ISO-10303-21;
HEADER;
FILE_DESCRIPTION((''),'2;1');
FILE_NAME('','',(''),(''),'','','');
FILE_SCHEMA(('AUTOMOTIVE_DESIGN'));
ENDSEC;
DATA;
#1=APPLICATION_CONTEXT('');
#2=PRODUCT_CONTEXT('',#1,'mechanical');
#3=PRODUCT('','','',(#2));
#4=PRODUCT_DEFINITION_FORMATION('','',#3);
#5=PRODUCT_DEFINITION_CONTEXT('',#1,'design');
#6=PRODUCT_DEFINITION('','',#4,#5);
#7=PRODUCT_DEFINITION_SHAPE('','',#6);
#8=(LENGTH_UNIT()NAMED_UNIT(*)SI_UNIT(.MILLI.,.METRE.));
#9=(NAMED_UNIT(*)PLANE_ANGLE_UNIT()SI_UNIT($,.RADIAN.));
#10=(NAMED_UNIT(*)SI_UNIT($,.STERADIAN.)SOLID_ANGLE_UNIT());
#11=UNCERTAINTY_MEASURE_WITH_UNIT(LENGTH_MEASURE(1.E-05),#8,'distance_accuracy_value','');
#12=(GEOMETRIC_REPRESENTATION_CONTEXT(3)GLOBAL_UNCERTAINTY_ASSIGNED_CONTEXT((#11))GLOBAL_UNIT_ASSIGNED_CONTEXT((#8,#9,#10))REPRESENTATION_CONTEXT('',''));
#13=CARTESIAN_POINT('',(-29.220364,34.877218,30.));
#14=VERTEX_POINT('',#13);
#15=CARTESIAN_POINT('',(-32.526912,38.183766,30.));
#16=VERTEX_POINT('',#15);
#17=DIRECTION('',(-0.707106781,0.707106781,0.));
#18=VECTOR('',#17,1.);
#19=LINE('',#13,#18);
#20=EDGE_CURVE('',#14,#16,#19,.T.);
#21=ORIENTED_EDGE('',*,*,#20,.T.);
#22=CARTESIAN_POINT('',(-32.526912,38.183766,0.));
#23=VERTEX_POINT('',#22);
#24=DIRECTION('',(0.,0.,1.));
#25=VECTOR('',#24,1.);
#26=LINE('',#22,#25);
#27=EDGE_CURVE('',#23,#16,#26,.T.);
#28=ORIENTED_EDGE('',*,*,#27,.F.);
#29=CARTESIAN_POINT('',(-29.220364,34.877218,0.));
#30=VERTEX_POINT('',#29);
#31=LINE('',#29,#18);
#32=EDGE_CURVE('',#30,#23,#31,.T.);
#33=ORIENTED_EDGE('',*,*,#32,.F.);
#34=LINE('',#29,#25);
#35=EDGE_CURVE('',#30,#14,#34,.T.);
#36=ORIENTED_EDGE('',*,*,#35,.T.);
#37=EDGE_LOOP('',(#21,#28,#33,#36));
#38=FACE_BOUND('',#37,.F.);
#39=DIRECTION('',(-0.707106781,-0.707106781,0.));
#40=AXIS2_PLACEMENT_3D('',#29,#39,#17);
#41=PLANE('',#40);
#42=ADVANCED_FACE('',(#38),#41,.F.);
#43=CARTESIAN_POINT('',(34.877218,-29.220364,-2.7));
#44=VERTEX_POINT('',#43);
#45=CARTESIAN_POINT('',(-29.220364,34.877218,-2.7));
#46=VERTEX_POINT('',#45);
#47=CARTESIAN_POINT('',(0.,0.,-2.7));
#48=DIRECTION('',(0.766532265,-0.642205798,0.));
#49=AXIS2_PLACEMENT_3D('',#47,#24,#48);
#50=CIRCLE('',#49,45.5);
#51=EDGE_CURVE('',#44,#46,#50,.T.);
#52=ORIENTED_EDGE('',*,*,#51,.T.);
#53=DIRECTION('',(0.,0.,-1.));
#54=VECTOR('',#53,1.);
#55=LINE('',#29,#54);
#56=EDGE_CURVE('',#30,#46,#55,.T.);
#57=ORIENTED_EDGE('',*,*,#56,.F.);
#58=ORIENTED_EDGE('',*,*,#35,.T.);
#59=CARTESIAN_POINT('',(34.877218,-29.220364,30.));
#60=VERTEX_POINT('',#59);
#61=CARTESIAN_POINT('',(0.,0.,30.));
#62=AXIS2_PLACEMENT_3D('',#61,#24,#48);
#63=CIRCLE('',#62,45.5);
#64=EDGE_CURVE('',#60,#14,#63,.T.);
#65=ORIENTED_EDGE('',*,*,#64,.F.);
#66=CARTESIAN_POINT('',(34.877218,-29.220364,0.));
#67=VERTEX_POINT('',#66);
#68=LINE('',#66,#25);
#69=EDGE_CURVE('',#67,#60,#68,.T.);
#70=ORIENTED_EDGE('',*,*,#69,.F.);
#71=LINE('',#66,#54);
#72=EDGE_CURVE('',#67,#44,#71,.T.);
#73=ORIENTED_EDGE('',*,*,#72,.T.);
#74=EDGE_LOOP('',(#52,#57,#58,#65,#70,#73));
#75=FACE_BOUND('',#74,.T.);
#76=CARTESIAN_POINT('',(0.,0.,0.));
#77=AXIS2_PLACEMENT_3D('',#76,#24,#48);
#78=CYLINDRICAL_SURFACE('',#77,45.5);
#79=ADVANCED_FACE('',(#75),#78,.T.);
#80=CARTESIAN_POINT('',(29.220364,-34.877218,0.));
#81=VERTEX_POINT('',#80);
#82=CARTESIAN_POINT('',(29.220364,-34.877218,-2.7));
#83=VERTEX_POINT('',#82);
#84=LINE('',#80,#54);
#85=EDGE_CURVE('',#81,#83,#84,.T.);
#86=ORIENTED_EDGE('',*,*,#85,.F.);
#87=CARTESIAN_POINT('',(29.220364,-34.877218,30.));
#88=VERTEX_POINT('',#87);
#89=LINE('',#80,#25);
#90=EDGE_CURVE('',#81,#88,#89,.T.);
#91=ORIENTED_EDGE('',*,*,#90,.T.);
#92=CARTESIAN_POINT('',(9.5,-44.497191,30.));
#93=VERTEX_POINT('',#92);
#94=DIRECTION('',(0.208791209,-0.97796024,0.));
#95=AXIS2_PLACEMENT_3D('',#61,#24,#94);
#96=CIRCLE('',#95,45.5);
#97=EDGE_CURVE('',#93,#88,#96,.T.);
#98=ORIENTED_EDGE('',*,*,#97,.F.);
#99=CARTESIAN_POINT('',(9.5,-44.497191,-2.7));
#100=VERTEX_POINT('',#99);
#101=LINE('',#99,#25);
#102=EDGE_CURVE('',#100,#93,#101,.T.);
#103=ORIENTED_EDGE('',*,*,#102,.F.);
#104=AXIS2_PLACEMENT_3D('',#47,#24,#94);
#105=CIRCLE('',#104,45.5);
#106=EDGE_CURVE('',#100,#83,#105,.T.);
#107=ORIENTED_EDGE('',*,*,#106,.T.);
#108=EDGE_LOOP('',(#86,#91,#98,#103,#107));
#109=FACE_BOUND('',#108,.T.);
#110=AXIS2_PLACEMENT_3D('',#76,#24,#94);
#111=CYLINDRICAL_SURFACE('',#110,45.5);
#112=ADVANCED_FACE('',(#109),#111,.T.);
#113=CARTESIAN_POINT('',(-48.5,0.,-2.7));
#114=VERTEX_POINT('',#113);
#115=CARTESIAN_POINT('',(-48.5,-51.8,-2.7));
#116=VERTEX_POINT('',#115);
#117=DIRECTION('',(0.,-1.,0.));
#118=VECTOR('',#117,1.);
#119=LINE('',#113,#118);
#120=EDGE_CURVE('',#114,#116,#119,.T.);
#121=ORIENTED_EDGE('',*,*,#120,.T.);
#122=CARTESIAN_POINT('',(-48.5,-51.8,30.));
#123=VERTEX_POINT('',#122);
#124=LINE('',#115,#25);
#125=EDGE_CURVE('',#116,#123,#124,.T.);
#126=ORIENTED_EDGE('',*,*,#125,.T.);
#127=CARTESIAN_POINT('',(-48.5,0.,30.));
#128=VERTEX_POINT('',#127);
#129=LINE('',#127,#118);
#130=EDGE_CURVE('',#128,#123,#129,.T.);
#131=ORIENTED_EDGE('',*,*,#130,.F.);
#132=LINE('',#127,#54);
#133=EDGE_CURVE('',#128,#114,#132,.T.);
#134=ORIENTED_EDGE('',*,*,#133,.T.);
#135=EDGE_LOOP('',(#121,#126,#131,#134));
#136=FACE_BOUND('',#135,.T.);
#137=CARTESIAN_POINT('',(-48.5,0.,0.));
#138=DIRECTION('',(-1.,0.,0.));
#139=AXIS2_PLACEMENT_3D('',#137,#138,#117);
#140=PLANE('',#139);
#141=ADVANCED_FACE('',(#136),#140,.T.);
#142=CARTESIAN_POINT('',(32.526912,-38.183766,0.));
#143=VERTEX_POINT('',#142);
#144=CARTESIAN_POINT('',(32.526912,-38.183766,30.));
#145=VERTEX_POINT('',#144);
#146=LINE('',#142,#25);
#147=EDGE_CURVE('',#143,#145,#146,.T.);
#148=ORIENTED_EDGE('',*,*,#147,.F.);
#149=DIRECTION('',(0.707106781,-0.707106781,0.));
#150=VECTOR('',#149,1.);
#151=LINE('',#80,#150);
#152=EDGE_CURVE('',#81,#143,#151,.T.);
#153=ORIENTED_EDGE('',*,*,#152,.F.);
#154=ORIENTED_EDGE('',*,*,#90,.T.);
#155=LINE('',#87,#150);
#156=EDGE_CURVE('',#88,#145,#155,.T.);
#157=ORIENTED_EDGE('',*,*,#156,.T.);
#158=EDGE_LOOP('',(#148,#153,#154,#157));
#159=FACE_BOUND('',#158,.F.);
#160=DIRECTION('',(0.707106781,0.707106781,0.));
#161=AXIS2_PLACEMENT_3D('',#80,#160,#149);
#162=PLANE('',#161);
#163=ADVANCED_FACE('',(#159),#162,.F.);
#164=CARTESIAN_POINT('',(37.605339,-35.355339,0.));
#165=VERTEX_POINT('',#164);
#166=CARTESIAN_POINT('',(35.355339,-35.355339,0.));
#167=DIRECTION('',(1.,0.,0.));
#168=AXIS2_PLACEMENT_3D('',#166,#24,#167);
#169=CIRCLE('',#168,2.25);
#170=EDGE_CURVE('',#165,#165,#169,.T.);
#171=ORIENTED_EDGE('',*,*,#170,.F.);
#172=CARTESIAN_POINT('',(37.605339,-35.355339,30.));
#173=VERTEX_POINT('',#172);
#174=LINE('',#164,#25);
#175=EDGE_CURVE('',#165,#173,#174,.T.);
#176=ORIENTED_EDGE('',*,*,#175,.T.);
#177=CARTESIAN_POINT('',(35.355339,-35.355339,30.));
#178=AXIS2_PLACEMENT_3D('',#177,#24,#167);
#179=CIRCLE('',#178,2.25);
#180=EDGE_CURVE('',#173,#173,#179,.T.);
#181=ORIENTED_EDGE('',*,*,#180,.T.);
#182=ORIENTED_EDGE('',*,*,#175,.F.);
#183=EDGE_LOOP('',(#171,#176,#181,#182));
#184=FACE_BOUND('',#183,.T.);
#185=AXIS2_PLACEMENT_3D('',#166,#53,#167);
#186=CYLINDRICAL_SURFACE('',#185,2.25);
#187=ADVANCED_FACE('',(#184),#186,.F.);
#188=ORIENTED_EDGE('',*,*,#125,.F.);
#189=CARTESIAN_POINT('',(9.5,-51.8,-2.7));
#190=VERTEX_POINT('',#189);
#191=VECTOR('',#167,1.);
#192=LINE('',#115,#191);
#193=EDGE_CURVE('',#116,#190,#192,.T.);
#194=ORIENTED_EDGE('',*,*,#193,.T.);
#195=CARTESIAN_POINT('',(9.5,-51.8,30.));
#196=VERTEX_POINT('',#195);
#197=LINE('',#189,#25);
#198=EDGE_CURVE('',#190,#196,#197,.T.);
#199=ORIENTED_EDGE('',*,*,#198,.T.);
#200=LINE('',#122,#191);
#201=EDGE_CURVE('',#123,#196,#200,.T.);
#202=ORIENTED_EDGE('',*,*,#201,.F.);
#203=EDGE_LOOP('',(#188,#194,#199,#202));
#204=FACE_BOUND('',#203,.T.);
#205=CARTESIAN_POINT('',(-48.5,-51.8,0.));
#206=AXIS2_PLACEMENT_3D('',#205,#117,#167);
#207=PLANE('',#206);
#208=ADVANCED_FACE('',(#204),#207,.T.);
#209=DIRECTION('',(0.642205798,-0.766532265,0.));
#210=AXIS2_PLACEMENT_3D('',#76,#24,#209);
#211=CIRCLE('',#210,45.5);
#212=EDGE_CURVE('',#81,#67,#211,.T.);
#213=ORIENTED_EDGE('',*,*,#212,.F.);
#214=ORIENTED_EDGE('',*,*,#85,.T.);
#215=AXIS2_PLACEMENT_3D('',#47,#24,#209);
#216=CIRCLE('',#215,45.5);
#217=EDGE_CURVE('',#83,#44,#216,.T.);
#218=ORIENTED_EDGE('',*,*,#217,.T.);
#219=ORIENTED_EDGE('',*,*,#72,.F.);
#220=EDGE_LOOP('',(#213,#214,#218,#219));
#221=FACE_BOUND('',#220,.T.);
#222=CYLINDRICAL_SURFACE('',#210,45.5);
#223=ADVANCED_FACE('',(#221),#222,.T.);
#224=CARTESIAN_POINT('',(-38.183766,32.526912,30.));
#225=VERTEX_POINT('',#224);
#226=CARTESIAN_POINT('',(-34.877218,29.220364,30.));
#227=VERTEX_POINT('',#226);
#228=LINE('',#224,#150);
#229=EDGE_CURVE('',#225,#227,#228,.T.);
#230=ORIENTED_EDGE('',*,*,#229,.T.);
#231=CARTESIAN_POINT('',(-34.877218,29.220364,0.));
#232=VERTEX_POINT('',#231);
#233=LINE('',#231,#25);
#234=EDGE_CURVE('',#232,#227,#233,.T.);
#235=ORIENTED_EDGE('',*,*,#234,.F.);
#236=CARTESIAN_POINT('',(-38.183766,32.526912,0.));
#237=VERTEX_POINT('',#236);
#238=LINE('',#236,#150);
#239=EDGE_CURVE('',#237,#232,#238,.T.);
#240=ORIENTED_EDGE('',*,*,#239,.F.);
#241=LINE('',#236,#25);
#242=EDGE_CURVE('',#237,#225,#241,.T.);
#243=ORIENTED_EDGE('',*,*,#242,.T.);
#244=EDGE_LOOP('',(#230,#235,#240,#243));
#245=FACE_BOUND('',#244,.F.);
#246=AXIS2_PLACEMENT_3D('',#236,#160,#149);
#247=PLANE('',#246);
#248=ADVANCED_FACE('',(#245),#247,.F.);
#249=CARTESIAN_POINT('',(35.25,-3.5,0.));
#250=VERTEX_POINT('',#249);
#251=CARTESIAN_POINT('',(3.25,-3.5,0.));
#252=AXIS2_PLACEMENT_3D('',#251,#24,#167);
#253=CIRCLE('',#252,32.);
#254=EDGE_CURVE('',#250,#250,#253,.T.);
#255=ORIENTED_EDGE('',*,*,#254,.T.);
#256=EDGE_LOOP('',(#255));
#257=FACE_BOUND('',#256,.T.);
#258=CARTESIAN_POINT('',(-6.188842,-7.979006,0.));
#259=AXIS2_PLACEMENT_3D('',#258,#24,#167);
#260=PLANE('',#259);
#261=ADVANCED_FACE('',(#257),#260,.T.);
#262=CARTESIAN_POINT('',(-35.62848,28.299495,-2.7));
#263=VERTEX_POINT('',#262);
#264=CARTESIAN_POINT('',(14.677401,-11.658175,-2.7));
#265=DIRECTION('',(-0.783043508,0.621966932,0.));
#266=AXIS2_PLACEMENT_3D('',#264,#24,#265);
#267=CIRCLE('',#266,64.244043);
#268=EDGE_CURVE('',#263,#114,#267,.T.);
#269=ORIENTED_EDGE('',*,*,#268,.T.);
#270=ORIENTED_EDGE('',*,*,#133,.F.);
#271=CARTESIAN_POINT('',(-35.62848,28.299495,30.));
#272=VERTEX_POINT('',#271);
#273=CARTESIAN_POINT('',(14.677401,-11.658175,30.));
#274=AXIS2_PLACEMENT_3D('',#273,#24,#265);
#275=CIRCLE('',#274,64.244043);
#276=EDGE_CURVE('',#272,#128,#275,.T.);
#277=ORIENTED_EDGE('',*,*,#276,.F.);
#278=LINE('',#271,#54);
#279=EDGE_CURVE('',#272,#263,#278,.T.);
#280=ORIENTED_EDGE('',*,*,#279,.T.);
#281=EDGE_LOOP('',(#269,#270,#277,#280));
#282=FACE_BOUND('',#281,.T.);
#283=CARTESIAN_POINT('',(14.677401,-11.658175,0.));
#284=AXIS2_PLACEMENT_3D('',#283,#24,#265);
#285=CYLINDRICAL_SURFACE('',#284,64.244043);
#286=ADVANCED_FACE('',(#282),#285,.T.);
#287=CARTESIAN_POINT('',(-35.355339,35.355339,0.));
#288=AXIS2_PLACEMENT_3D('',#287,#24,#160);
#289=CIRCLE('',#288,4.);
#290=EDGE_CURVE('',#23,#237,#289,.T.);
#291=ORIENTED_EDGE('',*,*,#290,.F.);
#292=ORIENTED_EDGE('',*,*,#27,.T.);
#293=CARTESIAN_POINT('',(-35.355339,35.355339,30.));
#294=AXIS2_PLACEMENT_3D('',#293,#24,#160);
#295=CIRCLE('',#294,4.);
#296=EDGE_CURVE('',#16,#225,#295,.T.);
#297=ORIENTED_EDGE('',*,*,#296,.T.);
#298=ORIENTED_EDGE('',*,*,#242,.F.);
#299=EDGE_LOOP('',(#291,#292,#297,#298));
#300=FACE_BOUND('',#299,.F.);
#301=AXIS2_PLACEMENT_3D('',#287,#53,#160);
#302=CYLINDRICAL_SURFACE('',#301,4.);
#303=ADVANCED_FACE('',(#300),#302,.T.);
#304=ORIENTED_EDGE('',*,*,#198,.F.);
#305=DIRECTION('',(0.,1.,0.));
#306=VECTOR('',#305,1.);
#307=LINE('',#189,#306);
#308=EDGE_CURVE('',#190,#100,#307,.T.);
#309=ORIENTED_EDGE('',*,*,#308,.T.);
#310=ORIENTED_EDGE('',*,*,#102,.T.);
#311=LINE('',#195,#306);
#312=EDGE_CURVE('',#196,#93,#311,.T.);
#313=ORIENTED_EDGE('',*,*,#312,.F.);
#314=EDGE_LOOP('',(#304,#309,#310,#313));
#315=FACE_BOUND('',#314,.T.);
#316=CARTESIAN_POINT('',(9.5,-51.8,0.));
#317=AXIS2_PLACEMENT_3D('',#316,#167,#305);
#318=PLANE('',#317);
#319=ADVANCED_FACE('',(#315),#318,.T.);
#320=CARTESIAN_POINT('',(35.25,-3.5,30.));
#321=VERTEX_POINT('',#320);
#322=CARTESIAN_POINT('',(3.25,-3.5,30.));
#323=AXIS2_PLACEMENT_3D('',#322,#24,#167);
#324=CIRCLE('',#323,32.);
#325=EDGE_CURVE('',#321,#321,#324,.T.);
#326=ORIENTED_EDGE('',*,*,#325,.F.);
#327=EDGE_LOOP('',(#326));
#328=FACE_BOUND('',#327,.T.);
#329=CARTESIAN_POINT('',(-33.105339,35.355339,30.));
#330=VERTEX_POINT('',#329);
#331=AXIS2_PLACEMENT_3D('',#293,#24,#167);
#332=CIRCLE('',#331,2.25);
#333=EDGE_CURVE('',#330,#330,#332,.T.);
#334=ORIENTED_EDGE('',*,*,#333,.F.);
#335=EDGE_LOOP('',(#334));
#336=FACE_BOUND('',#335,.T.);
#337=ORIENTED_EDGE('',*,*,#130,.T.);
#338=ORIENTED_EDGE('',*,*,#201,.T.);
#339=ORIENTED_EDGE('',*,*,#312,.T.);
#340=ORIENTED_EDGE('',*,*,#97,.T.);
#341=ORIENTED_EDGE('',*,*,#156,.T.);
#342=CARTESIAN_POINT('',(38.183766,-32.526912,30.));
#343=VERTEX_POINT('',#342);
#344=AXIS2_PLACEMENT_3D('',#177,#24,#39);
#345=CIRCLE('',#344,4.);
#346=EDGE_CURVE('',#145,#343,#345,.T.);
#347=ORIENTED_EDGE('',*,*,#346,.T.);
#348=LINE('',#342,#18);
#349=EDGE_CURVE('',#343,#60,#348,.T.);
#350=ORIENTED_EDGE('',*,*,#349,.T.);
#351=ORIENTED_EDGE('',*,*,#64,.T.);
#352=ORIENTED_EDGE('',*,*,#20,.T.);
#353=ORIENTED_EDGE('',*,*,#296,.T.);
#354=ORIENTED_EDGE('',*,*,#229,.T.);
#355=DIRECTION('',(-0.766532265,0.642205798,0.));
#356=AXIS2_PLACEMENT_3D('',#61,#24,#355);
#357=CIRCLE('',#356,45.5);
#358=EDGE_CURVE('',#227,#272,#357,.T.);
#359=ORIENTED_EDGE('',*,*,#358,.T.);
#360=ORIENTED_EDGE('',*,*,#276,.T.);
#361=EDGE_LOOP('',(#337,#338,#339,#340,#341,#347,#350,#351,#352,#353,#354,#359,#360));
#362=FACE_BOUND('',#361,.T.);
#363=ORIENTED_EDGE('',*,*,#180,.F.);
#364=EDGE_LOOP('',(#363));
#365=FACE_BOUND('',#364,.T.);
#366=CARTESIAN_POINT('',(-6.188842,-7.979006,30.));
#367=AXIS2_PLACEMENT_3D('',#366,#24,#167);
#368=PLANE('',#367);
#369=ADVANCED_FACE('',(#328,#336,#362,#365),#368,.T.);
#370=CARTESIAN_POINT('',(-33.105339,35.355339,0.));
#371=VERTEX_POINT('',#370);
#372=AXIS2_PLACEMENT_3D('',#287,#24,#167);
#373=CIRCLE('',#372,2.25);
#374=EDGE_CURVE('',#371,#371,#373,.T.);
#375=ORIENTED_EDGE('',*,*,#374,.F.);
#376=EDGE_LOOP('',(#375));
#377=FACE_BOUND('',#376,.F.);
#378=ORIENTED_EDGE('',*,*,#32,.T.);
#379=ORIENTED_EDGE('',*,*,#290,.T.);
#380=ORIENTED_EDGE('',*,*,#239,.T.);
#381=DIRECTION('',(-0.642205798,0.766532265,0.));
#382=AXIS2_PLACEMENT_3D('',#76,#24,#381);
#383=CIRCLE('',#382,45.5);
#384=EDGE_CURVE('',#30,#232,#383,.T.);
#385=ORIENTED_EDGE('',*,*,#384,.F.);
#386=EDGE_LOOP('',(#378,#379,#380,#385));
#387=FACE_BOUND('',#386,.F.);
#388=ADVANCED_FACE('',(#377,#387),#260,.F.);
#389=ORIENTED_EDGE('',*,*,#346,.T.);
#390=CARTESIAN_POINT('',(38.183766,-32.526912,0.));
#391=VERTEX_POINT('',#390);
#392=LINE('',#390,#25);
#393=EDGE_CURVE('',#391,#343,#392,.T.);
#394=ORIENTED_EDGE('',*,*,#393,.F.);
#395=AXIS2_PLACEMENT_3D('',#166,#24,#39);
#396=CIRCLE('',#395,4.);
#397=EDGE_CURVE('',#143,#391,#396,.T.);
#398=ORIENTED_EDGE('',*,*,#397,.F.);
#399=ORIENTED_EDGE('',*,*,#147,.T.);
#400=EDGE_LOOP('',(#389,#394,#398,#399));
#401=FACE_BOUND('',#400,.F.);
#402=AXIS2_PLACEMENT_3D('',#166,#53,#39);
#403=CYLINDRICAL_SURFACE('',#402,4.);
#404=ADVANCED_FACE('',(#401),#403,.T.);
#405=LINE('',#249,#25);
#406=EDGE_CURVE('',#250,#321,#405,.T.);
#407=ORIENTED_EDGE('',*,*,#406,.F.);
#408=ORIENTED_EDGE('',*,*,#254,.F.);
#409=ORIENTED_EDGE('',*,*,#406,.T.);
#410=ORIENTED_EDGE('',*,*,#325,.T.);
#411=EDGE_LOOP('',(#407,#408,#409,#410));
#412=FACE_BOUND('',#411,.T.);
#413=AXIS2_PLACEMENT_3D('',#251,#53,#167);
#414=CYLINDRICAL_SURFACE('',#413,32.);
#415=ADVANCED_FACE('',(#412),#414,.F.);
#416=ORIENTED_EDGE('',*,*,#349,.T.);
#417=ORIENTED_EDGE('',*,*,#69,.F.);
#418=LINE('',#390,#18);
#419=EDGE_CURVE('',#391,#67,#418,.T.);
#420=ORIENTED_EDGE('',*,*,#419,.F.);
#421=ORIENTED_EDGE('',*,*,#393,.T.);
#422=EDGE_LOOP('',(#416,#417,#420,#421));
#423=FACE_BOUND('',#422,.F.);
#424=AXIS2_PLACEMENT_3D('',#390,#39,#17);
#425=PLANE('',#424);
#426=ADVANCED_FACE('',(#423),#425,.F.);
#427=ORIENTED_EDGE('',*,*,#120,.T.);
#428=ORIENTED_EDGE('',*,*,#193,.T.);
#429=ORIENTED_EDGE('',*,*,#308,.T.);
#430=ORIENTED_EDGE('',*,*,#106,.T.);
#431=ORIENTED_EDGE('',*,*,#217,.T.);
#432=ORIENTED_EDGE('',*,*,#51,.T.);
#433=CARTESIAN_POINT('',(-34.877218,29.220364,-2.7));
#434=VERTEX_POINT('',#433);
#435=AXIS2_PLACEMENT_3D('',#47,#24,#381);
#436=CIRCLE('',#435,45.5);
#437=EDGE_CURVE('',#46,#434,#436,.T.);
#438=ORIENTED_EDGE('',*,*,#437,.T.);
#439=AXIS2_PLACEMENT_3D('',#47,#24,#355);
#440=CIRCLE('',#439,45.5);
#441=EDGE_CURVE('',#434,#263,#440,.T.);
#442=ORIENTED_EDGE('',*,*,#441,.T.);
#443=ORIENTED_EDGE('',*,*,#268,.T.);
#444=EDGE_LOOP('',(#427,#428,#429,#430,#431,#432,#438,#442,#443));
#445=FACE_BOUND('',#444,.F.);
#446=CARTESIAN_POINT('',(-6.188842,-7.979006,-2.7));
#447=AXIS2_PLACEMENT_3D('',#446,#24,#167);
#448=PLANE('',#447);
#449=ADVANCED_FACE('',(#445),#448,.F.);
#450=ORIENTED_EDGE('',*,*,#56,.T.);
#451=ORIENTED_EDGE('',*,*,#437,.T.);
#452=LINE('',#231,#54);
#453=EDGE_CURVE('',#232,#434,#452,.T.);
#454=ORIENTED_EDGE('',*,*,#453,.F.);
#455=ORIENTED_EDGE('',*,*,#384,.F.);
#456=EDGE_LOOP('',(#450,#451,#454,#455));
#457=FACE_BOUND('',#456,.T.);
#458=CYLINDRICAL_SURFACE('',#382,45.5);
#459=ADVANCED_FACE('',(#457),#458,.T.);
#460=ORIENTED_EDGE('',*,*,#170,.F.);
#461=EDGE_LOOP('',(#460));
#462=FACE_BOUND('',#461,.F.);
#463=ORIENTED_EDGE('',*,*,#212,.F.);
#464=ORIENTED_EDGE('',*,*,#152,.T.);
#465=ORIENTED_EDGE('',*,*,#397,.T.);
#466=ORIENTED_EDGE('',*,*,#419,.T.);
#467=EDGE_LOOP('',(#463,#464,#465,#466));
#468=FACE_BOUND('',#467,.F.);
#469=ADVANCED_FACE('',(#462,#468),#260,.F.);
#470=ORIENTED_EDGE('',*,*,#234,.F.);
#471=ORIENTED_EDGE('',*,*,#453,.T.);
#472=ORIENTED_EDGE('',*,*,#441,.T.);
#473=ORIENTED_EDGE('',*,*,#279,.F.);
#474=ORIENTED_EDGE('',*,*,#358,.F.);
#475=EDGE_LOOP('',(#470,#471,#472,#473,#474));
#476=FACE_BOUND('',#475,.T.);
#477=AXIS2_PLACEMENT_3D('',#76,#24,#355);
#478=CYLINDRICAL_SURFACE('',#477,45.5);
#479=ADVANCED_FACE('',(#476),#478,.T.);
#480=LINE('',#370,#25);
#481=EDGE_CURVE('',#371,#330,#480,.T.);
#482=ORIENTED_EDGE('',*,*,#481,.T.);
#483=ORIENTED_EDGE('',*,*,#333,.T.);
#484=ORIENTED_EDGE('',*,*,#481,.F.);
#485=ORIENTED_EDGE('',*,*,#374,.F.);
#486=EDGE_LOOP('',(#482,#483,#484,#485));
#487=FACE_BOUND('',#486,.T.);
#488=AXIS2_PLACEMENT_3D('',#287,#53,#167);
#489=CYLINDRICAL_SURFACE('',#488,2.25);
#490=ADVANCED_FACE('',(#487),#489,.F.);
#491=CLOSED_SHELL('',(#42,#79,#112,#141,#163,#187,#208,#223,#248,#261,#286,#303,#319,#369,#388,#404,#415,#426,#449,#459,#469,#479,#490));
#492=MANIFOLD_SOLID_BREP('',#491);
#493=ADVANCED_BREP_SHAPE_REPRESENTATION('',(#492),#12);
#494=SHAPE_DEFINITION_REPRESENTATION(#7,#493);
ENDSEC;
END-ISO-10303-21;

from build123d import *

# Parameters (mm, degrees)
F0_R     = 32
F0_R_2   = 2.25
F1_DEPTH = 30
F2_DEPTH = 2.7


with BuildPart() as f1:
    # F0 (on Top) → F1 (new body)
    with BuildSketch(Plane.XY):
        with BuildLine():
            Line((-48.5, 0), (-48.5, -51.8))
            Line((-48.5, -51.8), (9.5, -51.8))
            Line((9.5, -51.8), (9.5, -44.4971909226))
            ThreePointArc((9.5, -44.4971909226), (19.9487496546, -40.8937328599), (29.2203638041, -34.8772180536))
            ThreePointArc((29.2203638041, -34.8772180536), (32.173358544, -32.173358544), (34.8772180536, -29.2203638041))
            ThreePointArc((34.8772180536, -29.2203638041), (32.173358544, 32.173358544), (-29.2203638041, 34.8772180536))
            ThreePointArc((-29.2203638041, 34.8772180536), (-32.173358544, 32.173358544), (-34.8772180536, 29.2203638041))
            ThreePointArc((-34.8772180536, 29.2203638041), (-35.2558555468, 28.7623825449), (-35.6284796081, 28.2994954162))
            ThreePointArc((-35.6284796081, 28.2994954162), (-43.8019044029, 14.9400934365), (-48.5, 0))
        make_face()
        with Locations((3.25, -3.5)):
            Circle(F0_R, mode=Mode.SUBTRACT)
        with BuildLine():
            ThreePointArc((34.8772180536, -29.2203638041), (32.173358544, -32.173358544), (29.2203638041, -34.8772180536))
            Line((29.2203638041, -34.8772180536), (32.5269119346, -38.1837661841))
            ThreePointArc((32.5269119346, -38.1837661841), (38.1837661841, -38.1837661841), (38.1837661841, -32.5269119346))
            Line((38.1837661841, -32.5269119346), (34.8772180536, -29.2203638041))
        make_face()
        with Locations((35.3553390593, -35.3553390593)):
            Circle(F0_R_2, mode=Mode.SUBTRACT)
        with BuildLine():
            Line((-38.1837661841, 32.5269119346), (-34.8772180536, 29.2203638041))
            ThreePointArc((-34.8772180536, 29.2203638041), (-32.173358544, 32.173358544), (-29.2203638041, 34.8772180536))
            Line((-29.2203638041, 34.8772180536), (-32.5269119346, 38.1837661841))
            ThreePointArc((-32.5269119346, 38.1837661841), (-38.1837661841, 38.1837661841), (-38.1837661841, 32.5269119346))
        make_face()
        with Locations((-35.3553390593, 35.3553390593)):
            Circle(F0_R_2, mode=Mode.SUBTRACT)
    extrude(amount=F1_DEPTH)

    # F0 (on Top) → F2 (join)
    with BuildSketch(Plane.XY):
        with BuildLine():
            Line((-48.5, 0), (-48.5, -51.8))
            Line((-48.5, -51.8), (9.5, -51.8))
            Line((9.5, -51.8), (9.5, -44.4971909226))
            ThreePointArc((9.5, -44.4971909226), (19.9487496546, -40.8937328599), (29.2203638041, -34.8772180536))
            ThreePointArc((29.2203638041, -34.8772180536), (32.173358544, -32.173358544), (34.8772180536, -29.2203638041))
            ThreePointArc((34.8772180536, -29.2203638041), (32.173358544, 32.173358544), (-29.2203638041, 34.8772180536))
            ThreePointArc((-29.2203638041, 34.8772180536), (-32.173358544, 32.173358544), (-34.8772180536, 29.2203638041))
            ThreePointArc((-34.8772180536, 29.2203638041), (-35.2558555468, 28.7623825449), (-35.6284796081, 28.2994954162))
            ThreePointArc((-35.6284796081, 28.2994954162), (-43.8019044029, 14.9400934365), (-48.5, 0))
        make_face()
        with Locations((3.25, -3.5)):
            Circle(F0_R, mode=Mode.SUBTRACT)
        with Locations((3.25, -3.5)):
            Circle(F0_R)
    extrude(amount=-F2_DEPTH)


solid = f1.part
